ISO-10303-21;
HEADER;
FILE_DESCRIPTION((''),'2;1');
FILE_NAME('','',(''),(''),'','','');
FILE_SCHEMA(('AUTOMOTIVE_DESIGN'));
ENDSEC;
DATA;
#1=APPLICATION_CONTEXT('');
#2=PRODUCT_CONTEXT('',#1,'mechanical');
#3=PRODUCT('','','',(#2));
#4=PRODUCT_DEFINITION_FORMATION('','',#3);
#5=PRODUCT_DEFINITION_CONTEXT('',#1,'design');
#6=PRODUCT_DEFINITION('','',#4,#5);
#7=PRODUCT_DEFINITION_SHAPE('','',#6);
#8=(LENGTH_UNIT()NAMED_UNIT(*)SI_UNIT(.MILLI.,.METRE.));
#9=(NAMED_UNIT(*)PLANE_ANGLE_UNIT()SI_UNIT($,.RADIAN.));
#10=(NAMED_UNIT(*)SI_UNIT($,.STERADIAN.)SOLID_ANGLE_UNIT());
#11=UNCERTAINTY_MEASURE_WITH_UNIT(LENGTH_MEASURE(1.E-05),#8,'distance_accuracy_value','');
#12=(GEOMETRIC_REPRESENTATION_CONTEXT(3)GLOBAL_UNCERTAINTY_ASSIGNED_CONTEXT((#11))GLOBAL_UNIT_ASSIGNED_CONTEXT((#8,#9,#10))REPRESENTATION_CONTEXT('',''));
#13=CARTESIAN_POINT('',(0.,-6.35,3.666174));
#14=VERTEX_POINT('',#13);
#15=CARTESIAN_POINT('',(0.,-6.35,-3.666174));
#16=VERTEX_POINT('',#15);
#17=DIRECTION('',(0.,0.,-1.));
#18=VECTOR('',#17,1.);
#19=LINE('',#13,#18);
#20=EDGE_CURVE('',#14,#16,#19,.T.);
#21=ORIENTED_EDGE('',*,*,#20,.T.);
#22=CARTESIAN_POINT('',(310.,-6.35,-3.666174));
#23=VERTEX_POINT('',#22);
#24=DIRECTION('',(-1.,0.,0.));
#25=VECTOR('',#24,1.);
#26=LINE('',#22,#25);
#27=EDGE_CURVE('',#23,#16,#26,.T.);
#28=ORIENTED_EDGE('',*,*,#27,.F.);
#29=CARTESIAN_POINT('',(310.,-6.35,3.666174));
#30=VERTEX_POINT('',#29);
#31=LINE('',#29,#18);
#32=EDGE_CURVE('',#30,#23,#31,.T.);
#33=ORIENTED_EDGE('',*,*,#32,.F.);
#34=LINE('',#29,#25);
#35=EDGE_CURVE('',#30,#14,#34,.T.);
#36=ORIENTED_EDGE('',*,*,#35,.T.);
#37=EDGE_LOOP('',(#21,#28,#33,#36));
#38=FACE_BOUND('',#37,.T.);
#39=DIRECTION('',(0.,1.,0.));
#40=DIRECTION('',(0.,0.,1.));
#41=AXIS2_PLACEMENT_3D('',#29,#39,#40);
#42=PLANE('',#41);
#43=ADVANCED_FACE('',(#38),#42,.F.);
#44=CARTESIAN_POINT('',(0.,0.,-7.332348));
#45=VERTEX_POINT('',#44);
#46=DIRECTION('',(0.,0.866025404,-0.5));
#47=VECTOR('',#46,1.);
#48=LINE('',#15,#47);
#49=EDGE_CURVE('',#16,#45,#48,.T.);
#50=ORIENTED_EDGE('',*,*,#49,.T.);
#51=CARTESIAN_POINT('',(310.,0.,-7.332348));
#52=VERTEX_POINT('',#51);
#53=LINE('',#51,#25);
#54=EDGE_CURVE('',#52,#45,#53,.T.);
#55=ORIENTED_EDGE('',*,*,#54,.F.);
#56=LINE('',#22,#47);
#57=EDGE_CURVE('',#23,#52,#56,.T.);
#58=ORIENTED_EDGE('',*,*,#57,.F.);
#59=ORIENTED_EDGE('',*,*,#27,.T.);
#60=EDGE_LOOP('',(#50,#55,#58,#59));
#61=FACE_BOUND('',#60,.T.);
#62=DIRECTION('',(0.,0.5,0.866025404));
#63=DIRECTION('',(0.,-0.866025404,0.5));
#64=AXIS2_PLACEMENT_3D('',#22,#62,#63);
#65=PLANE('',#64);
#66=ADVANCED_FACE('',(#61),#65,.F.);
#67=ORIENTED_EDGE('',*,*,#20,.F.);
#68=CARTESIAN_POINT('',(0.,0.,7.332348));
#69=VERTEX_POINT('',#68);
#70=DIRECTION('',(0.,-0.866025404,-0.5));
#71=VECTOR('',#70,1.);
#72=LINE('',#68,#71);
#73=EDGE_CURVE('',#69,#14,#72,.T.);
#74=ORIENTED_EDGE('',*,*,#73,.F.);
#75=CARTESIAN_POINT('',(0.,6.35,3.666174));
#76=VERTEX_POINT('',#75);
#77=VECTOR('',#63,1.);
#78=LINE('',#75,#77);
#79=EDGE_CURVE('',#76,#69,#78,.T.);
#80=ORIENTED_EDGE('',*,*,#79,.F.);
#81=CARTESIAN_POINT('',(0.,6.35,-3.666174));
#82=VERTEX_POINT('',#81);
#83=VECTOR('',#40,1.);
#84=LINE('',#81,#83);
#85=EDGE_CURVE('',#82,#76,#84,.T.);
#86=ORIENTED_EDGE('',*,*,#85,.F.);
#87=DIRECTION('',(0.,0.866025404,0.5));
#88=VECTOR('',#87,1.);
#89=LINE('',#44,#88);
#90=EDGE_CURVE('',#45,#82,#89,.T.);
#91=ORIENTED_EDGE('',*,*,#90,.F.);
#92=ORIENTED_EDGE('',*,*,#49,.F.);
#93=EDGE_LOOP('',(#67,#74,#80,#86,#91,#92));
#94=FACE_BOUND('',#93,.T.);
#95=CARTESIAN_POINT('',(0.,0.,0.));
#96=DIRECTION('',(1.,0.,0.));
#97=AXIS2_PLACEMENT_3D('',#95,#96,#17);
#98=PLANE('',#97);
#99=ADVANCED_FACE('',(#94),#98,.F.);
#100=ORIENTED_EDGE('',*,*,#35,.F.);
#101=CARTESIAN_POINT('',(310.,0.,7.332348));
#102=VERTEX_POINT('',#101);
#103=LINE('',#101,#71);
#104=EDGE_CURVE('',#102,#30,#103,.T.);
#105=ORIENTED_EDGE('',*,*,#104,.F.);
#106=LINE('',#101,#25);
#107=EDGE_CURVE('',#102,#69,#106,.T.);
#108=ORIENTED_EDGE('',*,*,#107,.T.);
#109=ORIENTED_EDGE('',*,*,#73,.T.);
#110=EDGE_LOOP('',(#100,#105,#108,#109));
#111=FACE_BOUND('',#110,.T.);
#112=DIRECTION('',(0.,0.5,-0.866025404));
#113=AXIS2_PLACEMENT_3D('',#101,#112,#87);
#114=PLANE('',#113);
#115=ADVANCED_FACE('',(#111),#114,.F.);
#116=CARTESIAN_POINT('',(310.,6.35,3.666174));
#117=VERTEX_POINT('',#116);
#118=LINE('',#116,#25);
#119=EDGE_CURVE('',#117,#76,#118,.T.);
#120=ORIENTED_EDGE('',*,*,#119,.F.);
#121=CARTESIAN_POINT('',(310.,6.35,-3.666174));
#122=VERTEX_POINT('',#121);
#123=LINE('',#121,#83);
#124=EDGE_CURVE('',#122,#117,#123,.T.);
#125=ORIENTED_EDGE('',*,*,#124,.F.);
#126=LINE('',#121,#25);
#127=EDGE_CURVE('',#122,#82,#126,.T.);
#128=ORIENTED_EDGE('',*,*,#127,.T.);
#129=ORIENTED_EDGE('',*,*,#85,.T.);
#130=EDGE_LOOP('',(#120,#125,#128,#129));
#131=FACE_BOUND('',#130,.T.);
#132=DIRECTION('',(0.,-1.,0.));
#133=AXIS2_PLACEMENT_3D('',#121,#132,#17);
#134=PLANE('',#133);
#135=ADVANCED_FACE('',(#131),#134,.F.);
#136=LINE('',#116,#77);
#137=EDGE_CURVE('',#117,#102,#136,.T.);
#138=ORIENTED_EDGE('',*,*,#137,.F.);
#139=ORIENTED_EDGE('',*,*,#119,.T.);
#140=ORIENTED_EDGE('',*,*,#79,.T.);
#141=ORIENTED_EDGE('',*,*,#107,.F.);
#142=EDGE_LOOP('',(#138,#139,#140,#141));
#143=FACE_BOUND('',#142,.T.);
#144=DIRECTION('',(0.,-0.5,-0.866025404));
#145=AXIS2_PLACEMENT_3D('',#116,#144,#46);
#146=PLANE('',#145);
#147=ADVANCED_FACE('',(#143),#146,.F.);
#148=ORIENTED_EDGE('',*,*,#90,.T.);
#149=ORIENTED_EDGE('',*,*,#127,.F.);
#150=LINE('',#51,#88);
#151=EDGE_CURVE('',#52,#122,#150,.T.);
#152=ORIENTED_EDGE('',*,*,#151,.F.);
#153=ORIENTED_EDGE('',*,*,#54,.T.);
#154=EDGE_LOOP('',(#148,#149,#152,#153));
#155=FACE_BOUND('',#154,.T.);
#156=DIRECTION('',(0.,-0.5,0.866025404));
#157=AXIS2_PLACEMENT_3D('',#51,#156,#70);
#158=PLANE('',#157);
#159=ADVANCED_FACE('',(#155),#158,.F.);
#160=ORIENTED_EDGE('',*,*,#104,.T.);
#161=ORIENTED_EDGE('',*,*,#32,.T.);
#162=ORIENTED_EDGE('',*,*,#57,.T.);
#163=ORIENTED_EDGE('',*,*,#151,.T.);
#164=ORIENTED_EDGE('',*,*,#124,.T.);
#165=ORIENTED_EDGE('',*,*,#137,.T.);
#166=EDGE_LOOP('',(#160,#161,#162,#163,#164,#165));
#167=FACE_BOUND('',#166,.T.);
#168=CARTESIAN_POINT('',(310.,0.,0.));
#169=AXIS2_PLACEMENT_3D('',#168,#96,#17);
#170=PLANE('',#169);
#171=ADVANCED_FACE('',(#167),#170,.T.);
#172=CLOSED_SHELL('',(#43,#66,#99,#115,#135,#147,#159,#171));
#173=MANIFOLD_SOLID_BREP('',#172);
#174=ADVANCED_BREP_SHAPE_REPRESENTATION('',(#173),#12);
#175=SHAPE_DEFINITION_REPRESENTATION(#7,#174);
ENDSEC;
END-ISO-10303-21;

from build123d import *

# Parameters (mm, degrees)
SALIENTE_EXTRUIR1_DEPTH = 310


with BuildPart() as part:
    # Croquis1 → Saliente-Extruir1 (new body)
    with BuildSketch(Plane(origin=(0, 0, 0), x_dir=(0, 0, -1), z_dir=(1, 0, 0))):
        Polygon((7.332348419, 0), (3.666174209, 6.35), (-3.666174209, 6.35), (-7.332348419, 0), (-3.666174209, -6.35), (3.666174209, -6.35), align=None)
    extrude(amount=SALIENTE_EXTRUIR1_DEPTH)


solid = part.part
